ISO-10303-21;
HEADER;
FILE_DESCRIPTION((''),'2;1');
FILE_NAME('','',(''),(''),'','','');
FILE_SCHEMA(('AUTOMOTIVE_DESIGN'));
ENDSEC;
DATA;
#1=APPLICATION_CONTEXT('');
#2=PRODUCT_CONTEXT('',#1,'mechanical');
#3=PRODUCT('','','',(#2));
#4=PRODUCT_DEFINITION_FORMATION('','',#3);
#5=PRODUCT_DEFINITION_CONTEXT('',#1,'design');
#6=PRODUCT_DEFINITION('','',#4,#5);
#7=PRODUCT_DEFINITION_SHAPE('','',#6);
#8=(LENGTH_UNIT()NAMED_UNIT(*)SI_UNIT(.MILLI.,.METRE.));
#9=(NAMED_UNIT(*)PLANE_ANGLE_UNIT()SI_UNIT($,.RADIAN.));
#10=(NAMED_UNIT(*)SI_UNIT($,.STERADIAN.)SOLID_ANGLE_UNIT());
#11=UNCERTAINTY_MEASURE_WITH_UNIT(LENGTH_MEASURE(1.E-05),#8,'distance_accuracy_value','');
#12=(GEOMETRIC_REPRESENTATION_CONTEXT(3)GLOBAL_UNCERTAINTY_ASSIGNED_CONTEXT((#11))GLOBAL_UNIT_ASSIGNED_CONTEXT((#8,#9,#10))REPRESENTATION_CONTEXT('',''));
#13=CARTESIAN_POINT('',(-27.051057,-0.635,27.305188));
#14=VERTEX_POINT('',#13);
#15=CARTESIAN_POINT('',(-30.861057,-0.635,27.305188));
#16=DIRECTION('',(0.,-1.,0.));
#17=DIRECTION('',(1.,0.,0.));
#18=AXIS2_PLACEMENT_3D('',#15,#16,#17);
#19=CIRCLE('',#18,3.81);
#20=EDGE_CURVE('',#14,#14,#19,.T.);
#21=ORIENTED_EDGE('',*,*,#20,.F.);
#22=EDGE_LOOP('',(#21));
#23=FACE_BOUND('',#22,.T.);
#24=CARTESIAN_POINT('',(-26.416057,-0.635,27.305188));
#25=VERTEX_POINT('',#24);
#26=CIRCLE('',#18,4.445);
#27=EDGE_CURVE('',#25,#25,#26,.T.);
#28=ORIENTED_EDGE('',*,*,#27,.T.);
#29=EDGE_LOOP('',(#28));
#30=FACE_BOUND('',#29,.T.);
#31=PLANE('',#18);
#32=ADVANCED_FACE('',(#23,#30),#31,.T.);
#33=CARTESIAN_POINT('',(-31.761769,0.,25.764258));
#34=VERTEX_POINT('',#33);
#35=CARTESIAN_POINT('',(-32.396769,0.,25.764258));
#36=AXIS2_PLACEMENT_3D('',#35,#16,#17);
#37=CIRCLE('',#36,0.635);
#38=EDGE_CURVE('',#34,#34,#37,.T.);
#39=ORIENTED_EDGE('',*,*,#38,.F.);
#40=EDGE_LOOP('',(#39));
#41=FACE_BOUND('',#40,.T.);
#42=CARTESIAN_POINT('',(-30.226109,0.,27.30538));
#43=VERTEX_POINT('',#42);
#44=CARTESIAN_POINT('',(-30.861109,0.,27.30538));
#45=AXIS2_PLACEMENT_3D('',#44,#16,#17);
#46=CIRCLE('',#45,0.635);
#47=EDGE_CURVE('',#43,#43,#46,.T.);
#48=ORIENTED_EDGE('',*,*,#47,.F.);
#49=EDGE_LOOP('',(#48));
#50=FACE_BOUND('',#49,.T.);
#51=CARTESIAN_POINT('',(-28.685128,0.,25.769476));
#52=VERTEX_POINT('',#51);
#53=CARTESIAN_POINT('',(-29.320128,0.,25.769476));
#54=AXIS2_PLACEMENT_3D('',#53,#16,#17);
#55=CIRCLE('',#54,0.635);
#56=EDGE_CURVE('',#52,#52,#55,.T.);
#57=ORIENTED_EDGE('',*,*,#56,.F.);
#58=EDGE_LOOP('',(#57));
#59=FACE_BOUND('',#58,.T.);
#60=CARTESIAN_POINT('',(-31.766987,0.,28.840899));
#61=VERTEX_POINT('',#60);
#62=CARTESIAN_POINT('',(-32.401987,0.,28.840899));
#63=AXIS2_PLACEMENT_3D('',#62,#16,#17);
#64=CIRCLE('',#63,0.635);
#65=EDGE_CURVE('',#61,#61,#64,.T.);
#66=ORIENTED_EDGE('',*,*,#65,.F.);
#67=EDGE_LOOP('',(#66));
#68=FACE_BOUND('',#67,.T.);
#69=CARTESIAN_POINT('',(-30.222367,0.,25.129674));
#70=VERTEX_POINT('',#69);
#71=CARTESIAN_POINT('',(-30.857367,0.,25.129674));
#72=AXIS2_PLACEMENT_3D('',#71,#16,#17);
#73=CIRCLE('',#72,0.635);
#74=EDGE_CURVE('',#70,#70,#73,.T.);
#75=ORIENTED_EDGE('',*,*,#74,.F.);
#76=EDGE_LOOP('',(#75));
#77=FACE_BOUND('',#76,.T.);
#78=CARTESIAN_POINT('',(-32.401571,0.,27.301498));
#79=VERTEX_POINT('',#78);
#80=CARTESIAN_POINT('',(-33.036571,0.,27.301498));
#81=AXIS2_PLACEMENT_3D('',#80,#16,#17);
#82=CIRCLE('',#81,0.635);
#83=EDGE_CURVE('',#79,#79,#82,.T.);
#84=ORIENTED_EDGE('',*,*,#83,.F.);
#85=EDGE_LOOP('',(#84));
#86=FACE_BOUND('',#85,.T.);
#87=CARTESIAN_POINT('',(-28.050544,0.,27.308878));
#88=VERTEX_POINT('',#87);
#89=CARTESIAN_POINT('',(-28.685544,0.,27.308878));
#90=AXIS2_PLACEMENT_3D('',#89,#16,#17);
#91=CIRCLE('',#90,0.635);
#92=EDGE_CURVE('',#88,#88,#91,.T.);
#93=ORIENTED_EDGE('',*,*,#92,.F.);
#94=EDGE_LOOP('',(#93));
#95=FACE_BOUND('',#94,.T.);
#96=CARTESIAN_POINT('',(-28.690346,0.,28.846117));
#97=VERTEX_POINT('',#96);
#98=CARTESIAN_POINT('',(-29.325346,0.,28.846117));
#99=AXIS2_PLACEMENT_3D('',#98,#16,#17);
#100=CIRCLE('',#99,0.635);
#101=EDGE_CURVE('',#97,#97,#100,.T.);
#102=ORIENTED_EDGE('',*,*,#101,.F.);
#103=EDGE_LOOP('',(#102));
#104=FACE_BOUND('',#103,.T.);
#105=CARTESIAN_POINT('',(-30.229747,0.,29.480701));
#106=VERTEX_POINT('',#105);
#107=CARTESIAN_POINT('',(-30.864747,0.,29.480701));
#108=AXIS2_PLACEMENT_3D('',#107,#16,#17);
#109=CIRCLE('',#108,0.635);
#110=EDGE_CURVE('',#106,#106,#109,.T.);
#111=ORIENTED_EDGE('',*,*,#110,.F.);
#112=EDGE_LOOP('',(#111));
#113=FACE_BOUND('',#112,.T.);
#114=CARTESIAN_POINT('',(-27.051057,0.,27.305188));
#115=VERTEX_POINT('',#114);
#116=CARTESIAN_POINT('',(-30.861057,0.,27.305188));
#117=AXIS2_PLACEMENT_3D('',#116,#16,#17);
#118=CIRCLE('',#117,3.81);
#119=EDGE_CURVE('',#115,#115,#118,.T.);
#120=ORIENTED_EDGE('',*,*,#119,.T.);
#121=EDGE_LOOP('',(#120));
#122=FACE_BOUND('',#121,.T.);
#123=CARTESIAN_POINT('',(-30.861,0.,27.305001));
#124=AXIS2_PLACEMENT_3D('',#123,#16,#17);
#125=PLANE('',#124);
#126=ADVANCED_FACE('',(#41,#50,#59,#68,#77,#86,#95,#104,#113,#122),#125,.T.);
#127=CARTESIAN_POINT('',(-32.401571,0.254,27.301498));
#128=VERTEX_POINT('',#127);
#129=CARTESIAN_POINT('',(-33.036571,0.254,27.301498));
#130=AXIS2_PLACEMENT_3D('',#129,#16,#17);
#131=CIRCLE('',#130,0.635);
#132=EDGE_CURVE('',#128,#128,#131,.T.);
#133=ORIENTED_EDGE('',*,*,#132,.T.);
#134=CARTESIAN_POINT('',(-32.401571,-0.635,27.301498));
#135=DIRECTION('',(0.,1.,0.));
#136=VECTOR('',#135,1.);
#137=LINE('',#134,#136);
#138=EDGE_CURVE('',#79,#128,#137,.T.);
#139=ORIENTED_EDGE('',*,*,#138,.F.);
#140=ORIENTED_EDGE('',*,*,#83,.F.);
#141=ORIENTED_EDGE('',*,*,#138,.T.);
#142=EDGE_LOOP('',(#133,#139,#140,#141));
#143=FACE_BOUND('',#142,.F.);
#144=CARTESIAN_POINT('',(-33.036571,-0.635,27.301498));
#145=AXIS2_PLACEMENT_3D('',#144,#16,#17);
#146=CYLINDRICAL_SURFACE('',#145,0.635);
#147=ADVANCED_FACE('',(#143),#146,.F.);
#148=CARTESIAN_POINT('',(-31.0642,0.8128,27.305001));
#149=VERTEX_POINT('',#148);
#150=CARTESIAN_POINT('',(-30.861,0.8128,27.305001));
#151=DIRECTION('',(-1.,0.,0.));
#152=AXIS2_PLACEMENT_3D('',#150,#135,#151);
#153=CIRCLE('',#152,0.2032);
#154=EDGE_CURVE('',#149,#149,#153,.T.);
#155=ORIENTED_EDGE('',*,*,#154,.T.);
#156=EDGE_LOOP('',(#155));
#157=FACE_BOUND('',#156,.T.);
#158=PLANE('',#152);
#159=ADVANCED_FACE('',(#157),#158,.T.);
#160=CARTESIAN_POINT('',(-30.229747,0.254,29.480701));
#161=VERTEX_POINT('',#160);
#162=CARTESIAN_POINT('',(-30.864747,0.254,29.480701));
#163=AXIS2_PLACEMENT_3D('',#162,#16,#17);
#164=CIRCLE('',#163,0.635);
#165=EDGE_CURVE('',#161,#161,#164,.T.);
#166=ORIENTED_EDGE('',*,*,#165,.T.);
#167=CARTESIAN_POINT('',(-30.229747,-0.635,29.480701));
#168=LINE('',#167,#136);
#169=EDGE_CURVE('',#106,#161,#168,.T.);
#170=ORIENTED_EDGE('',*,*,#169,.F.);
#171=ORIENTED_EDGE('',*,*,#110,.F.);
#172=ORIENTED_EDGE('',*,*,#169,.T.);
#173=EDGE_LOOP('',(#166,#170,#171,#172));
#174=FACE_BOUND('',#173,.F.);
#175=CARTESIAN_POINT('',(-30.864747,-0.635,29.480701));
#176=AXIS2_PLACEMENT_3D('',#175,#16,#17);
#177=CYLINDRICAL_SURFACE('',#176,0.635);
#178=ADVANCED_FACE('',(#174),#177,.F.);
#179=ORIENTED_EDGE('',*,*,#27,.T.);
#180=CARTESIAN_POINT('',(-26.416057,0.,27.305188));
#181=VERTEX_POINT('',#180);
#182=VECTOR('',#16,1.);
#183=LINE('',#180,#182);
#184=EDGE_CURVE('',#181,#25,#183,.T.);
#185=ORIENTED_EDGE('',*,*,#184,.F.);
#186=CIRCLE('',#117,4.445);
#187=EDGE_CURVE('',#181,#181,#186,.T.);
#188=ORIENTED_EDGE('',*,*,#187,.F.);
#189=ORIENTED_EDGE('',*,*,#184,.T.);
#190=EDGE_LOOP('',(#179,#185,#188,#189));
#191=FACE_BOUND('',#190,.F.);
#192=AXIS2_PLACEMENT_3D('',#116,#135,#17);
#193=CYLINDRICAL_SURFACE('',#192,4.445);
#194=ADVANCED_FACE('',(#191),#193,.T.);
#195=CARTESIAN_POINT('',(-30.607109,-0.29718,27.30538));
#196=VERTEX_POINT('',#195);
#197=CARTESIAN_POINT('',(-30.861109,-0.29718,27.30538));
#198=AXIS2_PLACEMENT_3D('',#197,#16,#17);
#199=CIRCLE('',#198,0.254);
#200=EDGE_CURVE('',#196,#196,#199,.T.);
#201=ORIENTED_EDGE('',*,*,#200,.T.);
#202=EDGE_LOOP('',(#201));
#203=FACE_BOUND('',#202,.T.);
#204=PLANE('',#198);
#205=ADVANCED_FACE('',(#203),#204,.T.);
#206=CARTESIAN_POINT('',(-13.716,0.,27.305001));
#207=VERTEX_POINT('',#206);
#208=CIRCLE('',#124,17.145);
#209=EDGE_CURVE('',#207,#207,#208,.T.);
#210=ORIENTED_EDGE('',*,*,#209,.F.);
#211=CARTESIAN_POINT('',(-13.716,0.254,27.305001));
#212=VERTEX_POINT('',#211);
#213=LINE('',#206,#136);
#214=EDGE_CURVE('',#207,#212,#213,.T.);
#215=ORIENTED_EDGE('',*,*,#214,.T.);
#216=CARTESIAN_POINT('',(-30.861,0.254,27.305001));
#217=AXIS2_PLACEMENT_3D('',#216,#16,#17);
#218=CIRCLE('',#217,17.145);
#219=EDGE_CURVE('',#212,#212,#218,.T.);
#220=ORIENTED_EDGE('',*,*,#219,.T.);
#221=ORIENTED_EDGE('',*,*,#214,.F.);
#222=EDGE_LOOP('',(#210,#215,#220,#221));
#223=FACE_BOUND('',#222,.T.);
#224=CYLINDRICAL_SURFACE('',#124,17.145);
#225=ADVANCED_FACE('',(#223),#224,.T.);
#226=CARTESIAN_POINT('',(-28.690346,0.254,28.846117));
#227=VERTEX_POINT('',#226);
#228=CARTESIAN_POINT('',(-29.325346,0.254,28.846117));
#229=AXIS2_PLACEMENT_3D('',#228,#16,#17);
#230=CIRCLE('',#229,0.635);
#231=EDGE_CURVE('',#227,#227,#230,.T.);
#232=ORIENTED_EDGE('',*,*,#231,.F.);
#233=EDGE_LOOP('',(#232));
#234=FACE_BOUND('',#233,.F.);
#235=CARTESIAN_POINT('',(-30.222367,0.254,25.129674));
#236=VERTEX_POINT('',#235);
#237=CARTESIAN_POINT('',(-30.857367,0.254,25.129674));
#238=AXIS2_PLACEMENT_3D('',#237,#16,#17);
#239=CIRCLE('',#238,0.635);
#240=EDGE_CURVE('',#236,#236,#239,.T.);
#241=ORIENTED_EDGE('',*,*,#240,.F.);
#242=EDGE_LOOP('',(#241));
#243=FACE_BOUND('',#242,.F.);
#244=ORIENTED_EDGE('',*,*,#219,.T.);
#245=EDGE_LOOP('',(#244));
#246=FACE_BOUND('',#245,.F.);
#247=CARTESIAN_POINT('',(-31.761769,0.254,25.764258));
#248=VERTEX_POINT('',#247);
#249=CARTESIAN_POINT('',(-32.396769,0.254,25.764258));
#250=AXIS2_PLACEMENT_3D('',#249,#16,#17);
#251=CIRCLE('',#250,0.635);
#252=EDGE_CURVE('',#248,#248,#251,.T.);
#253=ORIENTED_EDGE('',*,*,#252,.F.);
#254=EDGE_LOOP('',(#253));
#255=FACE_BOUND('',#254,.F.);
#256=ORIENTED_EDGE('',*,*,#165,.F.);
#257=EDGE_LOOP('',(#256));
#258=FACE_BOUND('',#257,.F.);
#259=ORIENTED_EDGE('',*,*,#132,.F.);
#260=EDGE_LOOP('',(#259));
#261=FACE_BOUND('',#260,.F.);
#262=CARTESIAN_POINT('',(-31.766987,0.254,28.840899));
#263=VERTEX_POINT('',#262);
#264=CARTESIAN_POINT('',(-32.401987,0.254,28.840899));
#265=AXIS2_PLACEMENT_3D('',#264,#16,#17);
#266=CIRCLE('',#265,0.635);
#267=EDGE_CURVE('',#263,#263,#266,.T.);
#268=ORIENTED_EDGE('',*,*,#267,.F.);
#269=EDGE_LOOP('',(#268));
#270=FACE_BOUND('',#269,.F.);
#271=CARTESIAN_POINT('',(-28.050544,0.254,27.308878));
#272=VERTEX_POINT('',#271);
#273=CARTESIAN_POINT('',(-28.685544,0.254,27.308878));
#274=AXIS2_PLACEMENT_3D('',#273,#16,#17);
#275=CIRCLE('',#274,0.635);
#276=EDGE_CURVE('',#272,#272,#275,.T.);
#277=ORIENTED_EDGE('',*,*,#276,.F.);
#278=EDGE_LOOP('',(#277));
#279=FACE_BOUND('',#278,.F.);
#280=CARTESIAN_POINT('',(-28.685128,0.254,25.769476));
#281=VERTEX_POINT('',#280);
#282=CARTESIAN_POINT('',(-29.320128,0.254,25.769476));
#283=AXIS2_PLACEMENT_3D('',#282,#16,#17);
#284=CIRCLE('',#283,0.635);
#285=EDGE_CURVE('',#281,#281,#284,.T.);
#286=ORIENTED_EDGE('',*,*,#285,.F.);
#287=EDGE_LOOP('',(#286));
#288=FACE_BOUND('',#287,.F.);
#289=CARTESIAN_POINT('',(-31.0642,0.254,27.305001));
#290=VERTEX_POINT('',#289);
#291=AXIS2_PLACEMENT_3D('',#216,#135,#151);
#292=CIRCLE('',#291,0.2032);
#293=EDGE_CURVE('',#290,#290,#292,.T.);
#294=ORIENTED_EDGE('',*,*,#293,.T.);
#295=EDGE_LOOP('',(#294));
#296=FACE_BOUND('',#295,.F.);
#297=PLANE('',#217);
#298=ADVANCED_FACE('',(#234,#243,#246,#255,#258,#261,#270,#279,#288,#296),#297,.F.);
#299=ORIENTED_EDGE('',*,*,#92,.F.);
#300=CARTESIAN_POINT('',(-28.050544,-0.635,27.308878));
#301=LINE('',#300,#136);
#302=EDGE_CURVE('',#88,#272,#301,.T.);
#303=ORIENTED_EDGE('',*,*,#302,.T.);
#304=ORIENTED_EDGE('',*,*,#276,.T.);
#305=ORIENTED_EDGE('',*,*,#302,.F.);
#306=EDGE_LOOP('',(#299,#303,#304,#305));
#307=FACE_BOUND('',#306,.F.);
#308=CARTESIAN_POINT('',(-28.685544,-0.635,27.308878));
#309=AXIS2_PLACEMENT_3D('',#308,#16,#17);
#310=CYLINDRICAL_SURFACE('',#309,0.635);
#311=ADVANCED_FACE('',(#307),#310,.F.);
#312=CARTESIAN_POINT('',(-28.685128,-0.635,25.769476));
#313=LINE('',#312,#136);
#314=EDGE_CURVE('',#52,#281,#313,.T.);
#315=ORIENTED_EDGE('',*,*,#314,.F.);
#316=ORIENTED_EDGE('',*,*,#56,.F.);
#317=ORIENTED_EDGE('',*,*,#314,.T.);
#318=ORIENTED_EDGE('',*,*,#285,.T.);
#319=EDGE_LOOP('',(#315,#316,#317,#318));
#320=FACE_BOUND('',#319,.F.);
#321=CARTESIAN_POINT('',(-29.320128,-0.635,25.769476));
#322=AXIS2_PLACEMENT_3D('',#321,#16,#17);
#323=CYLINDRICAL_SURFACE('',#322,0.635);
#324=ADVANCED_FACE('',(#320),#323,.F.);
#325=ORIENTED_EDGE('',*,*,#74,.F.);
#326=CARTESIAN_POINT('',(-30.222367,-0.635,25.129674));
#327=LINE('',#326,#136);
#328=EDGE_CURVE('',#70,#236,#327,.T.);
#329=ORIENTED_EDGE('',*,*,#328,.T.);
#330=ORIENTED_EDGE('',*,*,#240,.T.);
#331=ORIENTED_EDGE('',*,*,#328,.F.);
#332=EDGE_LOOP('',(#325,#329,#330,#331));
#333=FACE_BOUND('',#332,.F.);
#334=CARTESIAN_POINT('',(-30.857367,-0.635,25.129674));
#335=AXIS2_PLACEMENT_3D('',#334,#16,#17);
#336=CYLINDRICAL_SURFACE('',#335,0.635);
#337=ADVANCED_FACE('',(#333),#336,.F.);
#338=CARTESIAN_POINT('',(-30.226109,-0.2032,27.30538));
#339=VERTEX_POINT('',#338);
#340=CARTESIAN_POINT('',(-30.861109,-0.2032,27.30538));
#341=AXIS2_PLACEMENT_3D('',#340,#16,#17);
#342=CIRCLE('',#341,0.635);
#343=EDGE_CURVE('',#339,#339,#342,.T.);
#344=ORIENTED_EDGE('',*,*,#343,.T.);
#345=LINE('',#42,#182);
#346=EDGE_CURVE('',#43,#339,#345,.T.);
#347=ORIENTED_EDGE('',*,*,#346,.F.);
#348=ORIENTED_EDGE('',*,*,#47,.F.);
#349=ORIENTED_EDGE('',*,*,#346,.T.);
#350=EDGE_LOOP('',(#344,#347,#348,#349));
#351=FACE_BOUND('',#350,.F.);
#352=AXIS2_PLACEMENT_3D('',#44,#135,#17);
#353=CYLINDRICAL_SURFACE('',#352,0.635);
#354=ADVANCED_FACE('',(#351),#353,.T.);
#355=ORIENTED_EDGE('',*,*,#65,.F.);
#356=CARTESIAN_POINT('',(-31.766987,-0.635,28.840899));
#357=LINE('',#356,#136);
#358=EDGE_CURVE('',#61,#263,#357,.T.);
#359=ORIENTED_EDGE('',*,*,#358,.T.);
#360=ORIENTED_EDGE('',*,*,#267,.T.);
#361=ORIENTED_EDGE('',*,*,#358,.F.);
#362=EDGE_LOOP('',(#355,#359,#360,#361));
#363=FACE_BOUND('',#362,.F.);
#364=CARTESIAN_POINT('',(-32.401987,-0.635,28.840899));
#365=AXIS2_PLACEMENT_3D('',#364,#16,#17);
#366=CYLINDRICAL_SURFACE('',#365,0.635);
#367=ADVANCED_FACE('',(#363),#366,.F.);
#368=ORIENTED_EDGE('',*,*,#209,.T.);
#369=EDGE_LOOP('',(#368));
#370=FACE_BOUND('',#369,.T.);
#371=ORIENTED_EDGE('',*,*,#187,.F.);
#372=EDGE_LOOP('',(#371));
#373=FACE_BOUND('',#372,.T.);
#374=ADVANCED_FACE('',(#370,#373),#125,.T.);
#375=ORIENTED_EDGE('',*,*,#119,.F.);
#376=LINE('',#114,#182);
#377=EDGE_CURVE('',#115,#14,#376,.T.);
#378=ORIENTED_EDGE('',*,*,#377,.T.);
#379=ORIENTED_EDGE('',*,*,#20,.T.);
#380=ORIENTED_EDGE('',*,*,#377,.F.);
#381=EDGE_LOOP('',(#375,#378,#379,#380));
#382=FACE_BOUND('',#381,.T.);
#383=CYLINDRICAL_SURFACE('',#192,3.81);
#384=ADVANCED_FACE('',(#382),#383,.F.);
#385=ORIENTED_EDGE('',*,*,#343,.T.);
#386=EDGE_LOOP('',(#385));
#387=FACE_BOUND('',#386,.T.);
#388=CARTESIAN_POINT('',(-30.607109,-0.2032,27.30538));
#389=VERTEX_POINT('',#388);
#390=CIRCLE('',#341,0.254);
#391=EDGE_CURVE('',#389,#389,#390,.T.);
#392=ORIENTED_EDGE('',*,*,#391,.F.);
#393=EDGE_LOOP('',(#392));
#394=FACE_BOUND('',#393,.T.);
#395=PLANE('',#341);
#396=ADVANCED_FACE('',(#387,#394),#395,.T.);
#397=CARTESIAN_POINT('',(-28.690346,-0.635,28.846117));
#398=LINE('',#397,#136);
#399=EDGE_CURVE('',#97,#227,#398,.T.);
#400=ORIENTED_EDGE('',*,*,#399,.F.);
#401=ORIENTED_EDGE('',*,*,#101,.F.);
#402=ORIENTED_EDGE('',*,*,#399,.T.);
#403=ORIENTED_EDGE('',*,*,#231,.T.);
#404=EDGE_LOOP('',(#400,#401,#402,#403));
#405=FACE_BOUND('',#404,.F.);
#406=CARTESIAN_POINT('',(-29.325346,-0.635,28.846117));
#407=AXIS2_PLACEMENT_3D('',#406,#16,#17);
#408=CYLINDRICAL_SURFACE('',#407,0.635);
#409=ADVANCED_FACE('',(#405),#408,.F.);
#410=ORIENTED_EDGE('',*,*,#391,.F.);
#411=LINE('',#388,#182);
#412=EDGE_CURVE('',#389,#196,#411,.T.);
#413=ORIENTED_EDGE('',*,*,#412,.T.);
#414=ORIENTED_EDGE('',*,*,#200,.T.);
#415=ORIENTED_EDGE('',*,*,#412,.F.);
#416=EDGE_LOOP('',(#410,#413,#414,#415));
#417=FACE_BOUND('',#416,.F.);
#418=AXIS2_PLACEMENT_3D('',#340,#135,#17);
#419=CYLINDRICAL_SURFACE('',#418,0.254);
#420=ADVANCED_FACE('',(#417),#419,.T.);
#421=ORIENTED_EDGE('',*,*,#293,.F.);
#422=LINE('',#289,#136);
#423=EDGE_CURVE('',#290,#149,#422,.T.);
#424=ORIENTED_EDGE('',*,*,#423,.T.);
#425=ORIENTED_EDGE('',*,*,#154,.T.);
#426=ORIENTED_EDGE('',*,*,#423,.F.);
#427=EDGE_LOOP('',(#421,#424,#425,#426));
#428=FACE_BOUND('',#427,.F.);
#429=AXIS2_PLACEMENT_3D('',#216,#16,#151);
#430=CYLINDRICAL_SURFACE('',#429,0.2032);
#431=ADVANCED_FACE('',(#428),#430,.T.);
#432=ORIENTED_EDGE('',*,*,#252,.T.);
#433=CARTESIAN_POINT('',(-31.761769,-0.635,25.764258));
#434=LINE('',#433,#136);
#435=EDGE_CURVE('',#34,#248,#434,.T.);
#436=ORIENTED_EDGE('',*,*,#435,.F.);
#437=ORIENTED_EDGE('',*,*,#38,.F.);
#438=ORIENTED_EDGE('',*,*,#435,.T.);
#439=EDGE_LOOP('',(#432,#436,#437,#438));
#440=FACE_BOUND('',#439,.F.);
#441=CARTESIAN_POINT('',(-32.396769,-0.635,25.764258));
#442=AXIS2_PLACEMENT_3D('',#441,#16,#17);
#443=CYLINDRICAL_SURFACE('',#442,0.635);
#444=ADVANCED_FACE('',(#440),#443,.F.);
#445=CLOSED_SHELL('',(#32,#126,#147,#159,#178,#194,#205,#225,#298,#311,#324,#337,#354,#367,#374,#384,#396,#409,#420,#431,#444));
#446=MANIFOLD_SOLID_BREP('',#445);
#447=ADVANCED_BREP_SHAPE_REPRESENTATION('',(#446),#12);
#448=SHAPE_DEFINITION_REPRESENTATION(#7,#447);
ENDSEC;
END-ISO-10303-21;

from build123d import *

# Parameters (mm, degrees)
F0_R      = 17.145
F1_DEPTH  = 0.254
F2_R      = 4.445
F2_R_2    = 3.81
F3_DEPTH  = 0.635
F4_R      = 0.635
F5_DEPTH  = 0.2032
F6_R      = 0.254
F7_DEPTH  = 0.09398
F8_R      = 0.635
F9_DEPTH  = 1.8796
F10_R     = 0.2032
F11_DEPTH = 0.5588


with BuildPart() as f1:
    # F0 (on Front) → F1 (new body)
    with BuildSketch(Plane.XZ):
        with Locations((-30.861, 27.305001)):
            Circle(F0_R)
    extrude(amount=-F1_DEPTH)

    # F2 (on Front) → F3 (join)
    with BuildSketch(Plane.XZ):
        with Locations((-30.861057, 27.305188)):
            Circle(F2_R)
        with Locations((-30.861057, 27.305188)):
            Circle(F2_R_2, mode=Mode.SUBTRACT)
    extrude(amount=F3_DEPTH)

    # F4 (on face) → F5 (join)
    with BuildSketch(Plane.XZ):
        with Locations((-30.861109, 27.30538)):
            Circle(F4_R)
    extrude(amount=F5_DEPTH)

    # F6 (on face) → F7 (join)
    with BuildSketch(Plane.XZ.offset(0.2032)):
        with Locations((-30.861109, 27.30538)):
            Circle(F6_R)
    extrude(amount=F7_DEPTH)

    # F8 (on face) → F9 (cut)
    with BuildSketch(Plane.XZ.offset(0.635)):
        with Locations((-30.864747, 29.480701)):
            Circle(F8_R)
        with Locations((-29.325346, 28.846117)):
            Circle(F8_R)
        with Locations((-28.685544, 27.308878)):
            Circle(F8_R)
        with Locations((-29.320128, 25.769476)):
            Circle(F8_R)
        with Locations((-30.857367, 25.129674)):
            Circle(F8_R)
        with Locations((-33.036571, 27.301498)):
            Circle(F8_R)
        with Locations((-32.401987, 28.840899)):
            Circle(F8_R)
        with Locations((-32.396769, 25.764258)):
            Circle(F8_R)
    extrude(amount=-F9_DEPTH, mode=Mode.SUBTRACT)

    # F10 (on face) → F11 (join)
    with BuildSketch(Plane(origin=(0, 0.254, 0), x_dir=(-1, 0, 0), z_dir=(0, 1, 0))):
        with Locations((30.861, 27.305001)):
            Circle(F10_R)
    extrude(amount=F11_DEPTH)


solid = f1.part
